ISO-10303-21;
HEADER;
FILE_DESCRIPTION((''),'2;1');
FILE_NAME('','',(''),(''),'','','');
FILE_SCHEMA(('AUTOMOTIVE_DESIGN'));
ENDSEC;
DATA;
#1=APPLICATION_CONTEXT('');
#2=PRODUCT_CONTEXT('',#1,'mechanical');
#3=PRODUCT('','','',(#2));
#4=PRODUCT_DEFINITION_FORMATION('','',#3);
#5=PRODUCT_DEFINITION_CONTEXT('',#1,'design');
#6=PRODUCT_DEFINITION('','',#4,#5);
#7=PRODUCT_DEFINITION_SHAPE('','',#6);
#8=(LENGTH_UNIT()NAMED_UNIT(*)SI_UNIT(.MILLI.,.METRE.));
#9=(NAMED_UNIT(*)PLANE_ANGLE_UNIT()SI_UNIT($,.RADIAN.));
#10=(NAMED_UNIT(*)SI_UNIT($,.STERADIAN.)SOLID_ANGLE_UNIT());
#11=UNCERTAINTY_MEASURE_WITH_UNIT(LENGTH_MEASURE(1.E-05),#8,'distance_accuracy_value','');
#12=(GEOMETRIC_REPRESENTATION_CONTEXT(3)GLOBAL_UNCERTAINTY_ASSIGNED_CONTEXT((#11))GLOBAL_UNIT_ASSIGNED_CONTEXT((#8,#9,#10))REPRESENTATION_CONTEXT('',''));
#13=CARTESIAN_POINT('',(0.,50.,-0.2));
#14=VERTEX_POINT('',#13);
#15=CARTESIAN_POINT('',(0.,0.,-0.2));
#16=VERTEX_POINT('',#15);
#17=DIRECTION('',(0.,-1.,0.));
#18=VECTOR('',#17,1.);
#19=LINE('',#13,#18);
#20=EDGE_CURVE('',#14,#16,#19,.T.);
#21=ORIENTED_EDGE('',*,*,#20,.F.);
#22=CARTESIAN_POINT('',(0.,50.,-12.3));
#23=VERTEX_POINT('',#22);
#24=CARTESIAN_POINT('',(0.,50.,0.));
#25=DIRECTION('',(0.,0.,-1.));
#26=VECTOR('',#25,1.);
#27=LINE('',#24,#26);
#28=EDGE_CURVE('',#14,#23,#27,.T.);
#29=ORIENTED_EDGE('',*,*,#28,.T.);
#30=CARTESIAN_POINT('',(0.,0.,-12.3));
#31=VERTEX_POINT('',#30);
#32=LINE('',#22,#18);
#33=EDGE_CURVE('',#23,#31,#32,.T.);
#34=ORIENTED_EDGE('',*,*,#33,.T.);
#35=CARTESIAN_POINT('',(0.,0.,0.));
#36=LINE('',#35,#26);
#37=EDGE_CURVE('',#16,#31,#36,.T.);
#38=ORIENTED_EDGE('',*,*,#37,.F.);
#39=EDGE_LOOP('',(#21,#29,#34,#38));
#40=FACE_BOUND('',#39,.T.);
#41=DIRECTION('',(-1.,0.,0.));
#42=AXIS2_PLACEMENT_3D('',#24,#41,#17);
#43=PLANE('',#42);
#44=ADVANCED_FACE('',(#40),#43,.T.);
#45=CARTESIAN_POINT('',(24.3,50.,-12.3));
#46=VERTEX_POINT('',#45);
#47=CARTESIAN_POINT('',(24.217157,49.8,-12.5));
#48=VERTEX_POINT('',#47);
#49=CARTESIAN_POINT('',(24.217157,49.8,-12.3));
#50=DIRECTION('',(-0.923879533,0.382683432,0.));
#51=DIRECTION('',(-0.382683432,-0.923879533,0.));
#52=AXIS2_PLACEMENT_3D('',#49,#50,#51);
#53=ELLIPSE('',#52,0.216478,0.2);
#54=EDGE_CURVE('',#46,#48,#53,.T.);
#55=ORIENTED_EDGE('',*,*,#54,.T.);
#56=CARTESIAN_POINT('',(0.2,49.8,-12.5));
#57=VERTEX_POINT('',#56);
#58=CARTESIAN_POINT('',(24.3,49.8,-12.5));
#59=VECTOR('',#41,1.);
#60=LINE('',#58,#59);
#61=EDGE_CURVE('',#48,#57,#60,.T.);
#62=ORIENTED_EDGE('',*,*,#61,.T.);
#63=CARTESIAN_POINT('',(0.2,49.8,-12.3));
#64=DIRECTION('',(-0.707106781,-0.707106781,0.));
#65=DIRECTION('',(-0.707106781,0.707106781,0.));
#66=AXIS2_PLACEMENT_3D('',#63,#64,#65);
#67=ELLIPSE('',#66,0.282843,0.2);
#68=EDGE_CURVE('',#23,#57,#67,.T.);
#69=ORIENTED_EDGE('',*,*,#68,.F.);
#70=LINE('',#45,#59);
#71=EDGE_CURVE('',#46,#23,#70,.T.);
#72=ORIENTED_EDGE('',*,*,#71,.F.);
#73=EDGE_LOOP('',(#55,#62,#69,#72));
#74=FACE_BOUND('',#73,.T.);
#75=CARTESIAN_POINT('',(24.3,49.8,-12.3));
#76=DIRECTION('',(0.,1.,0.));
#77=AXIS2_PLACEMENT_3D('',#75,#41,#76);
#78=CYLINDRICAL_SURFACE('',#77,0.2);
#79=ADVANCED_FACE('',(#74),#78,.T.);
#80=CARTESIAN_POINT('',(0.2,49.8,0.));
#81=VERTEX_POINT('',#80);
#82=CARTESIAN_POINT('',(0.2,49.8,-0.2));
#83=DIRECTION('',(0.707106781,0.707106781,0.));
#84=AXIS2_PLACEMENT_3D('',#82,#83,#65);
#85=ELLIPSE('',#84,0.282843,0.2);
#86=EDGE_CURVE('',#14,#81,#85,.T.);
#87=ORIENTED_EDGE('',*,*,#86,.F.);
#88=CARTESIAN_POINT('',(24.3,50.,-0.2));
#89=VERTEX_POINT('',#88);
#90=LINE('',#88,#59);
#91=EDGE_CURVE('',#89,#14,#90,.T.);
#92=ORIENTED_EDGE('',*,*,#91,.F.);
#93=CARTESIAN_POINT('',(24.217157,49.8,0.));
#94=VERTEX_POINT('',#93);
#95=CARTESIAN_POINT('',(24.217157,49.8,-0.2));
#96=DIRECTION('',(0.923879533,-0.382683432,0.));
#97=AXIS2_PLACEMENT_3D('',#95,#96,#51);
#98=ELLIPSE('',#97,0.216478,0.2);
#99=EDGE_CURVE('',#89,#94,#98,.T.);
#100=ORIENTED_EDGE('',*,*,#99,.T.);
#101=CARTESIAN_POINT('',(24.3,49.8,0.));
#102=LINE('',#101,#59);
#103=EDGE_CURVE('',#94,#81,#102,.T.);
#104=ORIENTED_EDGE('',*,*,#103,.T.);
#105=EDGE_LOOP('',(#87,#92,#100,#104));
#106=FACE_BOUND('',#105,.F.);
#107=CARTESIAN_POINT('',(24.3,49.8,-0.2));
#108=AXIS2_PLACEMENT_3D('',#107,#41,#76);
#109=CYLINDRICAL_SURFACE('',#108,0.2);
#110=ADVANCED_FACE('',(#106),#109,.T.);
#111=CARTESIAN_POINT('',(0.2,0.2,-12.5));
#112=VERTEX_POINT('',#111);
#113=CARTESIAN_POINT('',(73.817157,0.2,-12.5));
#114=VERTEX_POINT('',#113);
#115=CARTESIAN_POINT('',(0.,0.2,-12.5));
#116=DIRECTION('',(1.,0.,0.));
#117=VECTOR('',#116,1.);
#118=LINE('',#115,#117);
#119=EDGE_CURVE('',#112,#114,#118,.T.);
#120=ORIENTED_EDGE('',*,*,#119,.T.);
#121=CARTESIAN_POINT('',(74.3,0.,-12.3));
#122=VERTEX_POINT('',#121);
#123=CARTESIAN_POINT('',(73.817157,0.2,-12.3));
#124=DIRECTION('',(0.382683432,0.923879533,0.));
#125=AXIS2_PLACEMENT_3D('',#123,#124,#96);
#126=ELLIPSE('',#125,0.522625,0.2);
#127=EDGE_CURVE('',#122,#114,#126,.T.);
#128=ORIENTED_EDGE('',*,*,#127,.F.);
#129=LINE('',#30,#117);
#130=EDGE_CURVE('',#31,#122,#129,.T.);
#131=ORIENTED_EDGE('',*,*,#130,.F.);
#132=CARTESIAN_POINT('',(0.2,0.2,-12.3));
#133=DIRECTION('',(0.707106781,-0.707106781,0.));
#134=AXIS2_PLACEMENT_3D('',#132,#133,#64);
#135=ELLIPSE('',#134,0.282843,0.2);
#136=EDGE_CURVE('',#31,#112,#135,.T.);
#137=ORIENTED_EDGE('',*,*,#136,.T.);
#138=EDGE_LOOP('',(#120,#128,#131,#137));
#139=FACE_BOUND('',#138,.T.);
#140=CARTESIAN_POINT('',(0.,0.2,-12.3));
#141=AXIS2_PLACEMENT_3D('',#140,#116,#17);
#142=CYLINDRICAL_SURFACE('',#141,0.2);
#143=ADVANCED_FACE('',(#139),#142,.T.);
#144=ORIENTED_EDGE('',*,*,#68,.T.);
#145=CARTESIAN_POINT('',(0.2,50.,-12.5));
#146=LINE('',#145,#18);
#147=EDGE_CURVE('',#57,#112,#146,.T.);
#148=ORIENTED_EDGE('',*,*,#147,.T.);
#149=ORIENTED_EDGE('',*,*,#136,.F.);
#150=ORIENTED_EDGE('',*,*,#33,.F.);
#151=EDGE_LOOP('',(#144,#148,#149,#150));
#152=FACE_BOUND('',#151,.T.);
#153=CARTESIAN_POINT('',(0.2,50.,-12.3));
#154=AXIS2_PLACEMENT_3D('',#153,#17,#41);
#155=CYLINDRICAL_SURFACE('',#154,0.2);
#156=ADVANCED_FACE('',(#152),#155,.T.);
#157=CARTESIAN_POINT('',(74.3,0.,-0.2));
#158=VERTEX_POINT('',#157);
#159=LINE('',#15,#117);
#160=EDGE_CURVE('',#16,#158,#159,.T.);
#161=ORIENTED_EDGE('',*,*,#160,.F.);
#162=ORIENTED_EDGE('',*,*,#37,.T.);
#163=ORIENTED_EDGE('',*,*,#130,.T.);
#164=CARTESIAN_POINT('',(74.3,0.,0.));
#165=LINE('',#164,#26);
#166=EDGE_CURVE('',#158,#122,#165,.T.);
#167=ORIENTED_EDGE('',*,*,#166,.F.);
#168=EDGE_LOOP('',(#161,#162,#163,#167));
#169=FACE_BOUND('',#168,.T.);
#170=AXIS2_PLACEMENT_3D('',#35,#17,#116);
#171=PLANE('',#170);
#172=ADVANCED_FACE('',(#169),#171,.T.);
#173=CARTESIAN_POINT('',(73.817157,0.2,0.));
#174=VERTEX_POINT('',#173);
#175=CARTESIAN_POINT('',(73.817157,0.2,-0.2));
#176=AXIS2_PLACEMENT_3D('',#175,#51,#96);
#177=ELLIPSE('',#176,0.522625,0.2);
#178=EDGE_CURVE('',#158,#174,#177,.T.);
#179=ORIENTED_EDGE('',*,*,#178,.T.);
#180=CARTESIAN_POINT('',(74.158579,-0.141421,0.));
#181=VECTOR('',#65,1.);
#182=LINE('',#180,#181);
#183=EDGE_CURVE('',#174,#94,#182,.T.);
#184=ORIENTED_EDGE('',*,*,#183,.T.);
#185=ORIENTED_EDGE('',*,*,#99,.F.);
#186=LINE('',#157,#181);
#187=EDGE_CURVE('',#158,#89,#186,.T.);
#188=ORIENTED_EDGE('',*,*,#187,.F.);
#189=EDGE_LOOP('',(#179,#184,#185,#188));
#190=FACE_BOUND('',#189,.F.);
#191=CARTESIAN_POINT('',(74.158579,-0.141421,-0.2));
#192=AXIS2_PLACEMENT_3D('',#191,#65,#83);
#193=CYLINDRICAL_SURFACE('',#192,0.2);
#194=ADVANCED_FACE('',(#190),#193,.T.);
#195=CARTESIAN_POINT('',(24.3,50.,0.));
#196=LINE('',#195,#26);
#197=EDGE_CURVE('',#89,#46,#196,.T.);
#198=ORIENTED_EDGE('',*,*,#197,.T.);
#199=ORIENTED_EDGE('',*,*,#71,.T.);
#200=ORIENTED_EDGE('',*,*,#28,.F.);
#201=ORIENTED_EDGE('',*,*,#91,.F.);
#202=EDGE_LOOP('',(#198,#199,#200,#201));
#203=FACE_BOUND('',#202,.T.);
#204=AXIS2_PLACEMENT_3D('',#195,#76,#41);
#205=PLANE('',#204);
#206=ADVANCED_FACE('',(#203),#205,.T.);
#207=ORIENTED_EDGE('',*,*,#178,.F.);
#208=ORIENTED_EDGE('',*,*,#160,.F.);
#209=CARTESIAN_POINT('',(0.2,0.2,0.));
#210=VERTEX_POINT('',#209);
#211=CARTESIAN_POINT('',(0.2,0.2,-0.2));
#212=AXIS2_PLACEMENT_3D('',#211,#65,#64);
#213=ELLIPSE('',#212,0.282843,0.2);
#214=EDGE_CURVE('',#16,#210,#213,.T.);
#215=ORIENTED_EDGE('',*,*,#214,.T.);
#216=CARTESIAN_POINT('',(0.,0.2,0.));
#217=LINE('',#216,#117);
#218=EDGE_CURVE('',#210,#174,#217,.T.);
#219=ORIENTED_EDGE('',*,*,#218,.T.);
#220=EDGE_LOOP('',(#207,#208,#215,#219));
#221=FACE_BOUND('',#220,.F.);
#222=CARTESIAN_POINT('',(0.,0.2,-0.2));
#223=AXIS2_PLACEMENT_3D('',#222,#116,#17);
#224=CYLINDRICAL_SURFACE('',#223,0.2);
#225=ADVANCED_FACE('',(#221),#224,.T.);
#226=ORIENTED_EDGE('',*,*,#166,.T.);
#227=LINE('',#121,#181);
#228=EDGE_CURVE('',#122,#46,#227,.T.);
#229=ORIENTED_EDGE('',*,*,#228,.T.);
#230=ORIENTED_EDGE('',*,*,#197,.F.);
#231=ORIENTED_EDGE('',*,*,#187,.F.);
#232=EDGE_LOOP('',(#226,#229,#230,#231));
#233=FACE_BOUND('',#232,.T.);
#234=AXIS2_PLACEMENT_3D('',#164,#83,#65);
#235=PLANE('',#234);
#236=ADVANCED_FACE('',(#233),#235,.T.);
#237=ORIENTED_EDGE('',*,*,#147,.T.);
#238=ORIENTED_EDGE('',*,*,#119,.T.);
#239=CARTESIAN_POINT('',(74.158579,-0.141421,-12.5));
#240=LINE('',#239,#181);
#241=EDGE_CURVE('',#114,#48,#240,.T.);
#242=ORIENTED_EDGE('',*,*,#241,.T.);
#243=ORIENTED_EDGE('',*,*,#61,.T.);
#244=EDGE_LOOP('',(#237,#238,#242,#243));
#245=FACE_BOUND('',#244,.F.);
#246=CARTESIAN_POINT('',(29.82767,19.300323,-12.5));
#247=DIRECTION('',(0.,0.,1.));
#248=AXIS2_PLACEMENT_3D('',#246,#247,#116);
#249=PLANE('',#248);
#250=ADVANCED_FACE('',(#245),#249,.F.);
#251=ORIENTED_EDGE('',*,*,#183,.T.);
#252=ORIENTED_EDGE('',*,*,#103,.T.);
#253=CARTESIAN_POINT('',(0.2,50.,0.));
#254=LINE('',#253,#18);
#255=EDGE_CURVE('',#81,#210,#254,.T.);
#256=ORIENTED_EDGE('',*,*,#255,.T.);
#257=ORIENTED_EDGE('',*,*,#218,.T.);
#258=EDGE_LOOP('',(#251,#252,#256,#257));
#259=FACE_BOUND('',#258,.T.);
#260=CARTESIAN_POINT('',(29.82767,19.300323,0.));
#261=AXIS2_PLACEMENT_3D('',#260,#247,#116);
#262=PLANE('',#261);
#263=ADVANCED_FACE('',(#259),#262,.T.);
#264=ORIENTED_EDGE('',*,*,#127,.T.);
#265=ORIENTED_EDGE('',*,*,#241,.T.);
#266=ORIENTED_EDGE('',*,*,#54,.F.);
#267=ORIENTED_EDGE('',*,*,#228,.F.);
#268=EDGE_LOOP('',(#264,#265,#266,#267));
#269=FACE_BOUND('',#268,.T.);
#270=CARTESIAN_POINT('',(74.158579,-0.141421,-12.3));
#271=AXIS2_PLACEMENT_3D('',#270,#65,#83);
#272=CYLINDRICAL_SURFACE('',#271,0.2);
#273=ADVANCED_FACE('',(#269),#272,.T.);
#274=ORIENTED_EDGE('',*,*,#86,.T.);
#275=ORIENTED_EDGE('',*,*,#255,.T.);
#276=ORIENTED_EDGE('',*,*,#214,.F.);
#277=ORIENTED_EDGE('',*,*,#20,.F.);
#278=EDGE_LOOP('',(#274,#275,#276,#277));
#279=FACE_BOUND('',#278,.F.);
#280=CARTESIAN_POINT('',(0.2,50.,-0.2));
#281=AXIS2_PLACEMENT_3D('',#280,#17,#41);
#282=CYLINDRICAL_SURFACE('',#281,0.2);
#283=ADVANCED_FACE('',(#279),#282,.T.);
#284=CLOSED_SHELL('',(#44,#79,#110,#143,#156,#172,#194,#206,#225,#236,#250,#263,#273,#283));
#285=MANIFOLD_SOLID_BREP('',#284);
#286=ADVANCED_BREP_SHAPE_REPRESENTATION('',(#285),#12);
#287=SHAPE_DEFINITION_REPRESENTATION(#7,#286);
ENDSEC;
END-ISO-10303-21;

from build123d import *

# Parameters (mm, degrees)
F1_DEPTH = 12.5
F2_R     = 0.2


with BuildPart() as f1:
    # F0 (on Top) → F1 (new body)
    with BuildSketch(Plane.XY):
        Polygon((0, 50), (0, 0), (74.3, 0), (24.3, 50), align=None)
    extrude(amount=-F1_DEPTH)

    # F2
    f2_edges = [f1.edges().sort_by_distance(p)[0] for p in [
        (12.15, 50, 0),
        (0, 25, 0),
        (37.15, 0, 0),
        (49.3, 25, 0),
        (12.15, 50, -12.5),
        (0, 25, -12.5),
        (37.15, 0, -12.5),
        (49.3, 25, -12.5),
    ]]
    fillet(f2_edges, radius=F2_R)


solid = f1.part
